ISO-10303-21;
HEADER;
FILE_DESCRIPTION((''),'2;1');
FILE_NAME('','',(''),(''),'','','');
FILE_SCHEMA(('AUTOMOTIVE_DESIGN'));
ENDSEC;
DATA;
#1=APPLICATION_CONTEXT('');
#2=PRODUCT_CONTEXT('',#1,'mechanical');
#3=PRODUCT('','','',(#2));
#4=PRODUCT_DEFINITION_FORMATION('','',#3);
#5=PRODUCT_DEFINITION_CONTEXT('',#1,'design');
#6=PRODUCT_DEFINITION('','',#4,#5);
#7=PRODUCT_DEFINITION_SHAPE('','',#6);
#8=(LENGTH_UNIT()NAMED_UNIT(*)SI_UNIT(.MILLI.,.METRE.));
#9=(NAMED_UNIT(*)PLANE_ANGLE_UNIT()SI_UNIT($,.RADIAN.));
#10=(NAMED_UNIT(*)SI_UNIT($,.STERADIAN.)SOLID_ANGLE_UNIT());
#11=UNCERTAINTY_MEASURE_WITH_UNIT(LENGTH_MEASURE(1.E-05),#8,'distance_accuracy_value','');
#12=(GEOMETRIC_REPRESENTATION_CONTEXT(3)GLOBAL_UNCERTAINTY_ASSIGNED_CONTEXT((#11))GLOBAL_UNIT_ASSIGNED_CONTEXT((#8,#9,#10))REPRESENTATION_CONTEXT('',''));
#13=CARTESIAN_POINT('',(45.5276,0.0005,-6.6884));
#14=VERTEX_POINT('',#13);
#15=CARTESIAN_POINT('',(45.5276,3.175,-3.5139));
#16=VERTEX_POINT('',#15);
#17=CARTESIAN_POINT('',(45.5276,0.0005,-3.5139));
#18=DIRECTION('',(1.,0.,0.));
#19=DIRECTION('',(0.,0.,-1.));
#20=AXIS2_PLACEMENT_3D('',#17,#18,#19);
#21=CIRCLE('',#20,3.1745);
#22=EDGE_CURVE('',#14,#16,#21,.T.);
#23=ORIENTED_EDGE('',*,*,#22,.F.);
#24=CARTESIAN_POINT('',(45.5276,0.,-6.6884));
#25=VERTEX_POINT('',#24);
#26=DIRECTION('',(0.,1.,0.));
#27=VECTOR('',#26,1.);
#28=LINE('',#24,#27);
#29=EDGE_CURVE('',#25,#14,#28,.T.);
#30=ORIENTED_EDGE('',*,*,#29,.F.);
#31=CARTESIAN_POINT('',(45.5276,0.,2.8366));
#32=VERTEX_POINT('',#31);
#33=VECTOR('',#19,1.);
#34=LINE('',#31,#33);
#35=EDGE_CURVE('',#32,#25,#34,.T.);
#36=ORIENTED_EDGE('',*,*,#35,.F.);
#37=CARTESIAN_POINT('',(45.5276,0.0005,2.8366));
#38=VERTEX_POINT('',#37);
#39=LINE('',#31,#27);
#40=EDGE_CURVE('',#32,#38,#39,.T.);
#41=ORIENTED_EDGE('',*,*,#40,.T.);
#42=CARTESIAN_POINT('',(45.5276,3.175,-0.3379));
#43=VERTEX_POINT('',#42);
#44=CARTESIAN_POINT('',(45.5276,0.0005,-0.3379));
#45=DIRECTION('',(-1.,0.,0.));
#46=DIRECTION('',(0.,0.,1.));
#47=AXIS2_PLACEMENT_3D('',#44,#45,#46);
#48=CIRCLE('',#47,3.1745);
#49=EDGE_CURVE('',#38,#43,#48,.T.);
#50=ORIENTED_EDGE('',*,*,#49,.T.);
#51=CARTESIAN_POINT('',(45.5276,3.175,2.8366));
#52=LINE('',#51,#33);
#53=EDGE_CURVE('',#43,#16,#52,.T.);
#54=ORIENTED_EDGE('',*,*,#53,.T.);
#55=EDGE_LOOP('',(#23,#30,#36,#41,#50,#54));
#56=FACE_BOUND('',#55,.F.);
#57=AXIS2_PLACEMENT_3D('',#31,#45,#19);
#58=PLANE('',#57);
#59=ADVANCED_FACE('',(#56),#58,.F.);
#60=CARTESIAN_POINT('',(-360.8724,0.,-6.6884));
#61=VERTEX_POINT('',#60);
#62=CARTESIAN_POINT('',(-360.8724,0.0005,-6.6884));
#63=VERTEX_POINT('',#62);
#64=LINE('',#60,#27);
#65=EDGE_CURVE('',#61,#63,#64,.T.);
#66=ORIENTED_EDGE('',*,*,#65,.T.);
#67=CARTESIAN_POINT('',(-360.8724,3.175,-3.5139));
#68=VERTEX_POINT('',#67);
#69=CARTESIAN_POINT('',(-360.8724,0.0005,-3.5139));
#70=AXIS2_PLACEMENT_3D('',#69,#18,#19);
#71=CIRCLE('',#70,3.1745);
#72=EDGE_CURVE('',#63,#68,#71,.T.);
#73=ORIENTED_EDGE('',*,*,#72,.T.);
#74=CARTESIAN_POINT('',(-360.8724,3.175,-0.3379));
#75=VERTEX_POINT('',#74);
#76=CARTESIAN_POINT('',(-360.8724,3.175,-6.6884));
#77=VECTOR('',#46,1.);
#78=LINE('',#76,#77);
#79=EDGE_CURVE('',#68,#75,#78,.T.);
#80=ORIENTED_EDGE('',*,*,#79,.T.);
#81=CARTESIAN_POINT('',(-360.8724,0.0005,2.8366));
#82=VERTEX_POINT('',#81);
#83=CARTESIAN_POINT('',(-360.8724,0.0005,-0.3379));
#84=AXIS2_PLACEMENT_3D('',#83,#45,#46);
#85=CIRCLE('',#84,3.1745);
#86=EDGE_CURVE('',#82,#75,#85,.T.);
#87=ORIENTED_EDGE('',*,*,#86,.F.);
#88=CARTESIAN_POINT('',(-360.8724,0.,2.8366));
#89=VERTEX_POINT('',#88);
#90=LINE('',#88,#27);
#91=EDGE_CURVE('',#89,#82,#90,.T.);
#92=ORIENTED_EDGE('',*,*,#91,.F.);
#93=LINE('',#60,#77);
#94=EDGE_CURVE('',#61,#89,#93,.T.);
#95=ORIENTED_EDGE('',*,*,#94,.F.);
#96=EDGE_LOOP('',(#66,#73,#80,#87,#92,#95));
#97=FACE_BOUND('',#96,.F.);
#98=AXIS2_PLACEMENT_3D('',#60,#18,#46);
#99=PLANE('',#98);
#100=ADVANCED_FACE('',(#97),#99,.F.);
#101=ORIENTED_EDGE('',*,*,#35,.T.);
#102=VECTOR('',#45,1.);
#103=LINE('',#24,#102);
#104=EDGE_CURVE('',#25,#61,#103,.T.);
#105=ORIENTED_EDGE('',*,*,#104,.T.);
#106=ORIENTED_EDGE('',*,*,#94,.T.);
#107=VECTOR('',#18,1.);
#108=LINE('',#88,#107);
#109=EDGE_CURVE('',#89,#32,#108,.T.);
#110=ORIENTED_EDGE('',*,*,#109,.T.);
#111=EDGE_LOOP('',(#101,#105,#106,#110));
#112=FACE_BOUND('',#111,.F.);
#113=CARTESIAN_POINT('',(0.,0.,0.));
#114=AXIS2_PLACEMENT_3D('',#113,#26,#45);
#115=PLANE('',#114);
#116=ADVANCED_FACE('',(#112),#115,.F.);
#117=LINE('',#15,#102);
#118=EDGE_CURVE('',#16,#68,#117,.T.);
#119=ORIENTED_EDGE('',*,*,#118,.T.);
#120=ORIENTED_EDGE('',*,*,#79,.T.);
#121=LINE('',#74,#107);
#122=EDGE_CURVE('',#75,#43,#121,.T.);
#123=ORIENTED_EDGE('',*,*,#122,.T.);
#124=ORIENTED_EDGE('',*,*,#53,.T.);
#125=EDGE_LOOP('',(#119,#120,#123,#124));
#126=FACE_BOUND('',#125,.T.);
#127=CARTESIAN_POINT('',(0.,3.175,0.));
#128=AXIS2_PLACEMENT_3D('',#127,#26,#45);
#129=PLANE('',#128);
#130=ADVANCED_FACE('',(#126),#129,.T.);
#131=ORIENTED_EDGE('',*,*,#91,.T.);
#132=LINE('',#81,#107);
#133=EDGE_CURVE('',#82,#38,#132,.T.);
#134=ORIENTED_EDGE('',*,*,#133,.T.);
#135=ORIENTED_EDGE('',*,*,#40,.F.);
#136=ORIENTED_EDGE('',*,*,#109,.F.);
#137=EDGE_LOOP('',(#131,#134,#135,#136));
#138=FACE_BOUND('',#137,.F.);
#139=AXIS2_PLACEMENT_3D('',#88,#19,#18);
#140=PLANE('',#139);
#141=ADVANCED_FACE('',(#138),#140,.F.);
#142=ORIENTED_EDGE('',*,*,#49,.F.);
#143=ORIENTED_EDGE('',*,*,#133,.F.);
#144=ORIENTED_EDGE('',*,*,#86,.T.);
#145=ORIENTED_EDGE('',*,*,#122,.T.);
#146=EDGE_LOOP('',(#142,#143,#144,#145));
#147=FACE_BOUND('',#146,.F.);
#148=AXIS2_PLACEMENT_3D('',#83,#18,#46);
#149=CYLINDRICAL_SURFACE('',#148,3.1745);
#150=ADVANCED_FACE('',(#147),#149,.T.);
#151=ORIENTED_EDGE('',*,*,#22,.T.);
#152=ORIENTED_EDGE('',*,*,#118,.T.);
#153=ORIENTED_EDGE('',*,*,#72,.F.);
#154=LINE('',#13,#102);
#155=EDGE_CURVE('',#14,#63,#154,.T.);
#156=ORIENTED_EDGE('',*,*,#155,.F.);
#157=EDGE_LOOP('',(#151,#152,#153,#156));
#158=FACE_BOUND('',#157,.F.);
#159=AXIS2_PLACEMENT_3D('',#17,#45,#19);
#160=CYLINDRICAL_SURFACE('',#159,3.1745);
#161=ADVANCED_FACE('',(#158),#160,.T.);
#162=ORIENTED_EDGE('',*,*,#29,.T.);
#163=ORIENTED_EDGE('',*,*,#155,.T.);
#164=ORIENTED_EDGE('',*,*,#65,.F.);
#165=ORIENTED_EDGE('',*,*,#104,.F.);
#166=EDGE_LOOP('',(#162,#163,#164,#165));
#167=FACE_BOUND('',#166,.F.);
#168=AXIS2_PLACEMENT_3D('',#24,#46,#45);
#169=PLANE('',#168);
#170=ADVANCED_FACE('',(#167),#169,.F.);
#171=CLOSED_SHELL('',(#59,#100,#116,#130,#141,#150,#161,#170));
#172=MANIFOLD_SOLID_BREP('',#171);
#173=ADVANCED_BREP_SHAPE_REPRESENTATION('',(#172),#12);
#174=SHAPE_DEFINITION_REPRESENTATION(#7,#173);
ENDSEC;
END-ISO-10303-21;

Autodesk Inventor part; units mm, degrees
ref_plane "YZ Plane" through (0, 0, 0) normal (1, 0, 0) x (0, 1, 0)
ref_plane "XZ Plane" through (0, 0, 0) normal (0, 1, 0) x (-1, 0, 0)
ref_plane "XY Plane" through (0, 0, 0) normal (0, 0, 1) x (1, 0, 0)
sketch "Sketch1" plane through (0, 0, 0) normal (0, 1, 0) x (-1, 0, 0)
  line L0 (360.8724, 2.8366) -> (-45.5276, 2.8366)
  line L1 (-45.5276, 2.8366) -> (-45.5276, -6.6884)
  line L2 (-45.5276, -6.6884) -> (360.8724, -6.6884)
  line L3 (360.8724, -6.6884) -> (360.8724, 2.8366)
  point P0 (0, 0)
  dimension "d0" = 406.4
  dimension "d1" = 9.525
extrude "Extrusion1" add sketch "Sketch1" along normal blind 3.175
fillet "Fillet1" radius 3.175 2 edges at (-157.6724, 3.175, 2.8366) (-157.6724, 3.175, -6.6884)
properties part number "LED light strip" material "Wood (Oak)"
